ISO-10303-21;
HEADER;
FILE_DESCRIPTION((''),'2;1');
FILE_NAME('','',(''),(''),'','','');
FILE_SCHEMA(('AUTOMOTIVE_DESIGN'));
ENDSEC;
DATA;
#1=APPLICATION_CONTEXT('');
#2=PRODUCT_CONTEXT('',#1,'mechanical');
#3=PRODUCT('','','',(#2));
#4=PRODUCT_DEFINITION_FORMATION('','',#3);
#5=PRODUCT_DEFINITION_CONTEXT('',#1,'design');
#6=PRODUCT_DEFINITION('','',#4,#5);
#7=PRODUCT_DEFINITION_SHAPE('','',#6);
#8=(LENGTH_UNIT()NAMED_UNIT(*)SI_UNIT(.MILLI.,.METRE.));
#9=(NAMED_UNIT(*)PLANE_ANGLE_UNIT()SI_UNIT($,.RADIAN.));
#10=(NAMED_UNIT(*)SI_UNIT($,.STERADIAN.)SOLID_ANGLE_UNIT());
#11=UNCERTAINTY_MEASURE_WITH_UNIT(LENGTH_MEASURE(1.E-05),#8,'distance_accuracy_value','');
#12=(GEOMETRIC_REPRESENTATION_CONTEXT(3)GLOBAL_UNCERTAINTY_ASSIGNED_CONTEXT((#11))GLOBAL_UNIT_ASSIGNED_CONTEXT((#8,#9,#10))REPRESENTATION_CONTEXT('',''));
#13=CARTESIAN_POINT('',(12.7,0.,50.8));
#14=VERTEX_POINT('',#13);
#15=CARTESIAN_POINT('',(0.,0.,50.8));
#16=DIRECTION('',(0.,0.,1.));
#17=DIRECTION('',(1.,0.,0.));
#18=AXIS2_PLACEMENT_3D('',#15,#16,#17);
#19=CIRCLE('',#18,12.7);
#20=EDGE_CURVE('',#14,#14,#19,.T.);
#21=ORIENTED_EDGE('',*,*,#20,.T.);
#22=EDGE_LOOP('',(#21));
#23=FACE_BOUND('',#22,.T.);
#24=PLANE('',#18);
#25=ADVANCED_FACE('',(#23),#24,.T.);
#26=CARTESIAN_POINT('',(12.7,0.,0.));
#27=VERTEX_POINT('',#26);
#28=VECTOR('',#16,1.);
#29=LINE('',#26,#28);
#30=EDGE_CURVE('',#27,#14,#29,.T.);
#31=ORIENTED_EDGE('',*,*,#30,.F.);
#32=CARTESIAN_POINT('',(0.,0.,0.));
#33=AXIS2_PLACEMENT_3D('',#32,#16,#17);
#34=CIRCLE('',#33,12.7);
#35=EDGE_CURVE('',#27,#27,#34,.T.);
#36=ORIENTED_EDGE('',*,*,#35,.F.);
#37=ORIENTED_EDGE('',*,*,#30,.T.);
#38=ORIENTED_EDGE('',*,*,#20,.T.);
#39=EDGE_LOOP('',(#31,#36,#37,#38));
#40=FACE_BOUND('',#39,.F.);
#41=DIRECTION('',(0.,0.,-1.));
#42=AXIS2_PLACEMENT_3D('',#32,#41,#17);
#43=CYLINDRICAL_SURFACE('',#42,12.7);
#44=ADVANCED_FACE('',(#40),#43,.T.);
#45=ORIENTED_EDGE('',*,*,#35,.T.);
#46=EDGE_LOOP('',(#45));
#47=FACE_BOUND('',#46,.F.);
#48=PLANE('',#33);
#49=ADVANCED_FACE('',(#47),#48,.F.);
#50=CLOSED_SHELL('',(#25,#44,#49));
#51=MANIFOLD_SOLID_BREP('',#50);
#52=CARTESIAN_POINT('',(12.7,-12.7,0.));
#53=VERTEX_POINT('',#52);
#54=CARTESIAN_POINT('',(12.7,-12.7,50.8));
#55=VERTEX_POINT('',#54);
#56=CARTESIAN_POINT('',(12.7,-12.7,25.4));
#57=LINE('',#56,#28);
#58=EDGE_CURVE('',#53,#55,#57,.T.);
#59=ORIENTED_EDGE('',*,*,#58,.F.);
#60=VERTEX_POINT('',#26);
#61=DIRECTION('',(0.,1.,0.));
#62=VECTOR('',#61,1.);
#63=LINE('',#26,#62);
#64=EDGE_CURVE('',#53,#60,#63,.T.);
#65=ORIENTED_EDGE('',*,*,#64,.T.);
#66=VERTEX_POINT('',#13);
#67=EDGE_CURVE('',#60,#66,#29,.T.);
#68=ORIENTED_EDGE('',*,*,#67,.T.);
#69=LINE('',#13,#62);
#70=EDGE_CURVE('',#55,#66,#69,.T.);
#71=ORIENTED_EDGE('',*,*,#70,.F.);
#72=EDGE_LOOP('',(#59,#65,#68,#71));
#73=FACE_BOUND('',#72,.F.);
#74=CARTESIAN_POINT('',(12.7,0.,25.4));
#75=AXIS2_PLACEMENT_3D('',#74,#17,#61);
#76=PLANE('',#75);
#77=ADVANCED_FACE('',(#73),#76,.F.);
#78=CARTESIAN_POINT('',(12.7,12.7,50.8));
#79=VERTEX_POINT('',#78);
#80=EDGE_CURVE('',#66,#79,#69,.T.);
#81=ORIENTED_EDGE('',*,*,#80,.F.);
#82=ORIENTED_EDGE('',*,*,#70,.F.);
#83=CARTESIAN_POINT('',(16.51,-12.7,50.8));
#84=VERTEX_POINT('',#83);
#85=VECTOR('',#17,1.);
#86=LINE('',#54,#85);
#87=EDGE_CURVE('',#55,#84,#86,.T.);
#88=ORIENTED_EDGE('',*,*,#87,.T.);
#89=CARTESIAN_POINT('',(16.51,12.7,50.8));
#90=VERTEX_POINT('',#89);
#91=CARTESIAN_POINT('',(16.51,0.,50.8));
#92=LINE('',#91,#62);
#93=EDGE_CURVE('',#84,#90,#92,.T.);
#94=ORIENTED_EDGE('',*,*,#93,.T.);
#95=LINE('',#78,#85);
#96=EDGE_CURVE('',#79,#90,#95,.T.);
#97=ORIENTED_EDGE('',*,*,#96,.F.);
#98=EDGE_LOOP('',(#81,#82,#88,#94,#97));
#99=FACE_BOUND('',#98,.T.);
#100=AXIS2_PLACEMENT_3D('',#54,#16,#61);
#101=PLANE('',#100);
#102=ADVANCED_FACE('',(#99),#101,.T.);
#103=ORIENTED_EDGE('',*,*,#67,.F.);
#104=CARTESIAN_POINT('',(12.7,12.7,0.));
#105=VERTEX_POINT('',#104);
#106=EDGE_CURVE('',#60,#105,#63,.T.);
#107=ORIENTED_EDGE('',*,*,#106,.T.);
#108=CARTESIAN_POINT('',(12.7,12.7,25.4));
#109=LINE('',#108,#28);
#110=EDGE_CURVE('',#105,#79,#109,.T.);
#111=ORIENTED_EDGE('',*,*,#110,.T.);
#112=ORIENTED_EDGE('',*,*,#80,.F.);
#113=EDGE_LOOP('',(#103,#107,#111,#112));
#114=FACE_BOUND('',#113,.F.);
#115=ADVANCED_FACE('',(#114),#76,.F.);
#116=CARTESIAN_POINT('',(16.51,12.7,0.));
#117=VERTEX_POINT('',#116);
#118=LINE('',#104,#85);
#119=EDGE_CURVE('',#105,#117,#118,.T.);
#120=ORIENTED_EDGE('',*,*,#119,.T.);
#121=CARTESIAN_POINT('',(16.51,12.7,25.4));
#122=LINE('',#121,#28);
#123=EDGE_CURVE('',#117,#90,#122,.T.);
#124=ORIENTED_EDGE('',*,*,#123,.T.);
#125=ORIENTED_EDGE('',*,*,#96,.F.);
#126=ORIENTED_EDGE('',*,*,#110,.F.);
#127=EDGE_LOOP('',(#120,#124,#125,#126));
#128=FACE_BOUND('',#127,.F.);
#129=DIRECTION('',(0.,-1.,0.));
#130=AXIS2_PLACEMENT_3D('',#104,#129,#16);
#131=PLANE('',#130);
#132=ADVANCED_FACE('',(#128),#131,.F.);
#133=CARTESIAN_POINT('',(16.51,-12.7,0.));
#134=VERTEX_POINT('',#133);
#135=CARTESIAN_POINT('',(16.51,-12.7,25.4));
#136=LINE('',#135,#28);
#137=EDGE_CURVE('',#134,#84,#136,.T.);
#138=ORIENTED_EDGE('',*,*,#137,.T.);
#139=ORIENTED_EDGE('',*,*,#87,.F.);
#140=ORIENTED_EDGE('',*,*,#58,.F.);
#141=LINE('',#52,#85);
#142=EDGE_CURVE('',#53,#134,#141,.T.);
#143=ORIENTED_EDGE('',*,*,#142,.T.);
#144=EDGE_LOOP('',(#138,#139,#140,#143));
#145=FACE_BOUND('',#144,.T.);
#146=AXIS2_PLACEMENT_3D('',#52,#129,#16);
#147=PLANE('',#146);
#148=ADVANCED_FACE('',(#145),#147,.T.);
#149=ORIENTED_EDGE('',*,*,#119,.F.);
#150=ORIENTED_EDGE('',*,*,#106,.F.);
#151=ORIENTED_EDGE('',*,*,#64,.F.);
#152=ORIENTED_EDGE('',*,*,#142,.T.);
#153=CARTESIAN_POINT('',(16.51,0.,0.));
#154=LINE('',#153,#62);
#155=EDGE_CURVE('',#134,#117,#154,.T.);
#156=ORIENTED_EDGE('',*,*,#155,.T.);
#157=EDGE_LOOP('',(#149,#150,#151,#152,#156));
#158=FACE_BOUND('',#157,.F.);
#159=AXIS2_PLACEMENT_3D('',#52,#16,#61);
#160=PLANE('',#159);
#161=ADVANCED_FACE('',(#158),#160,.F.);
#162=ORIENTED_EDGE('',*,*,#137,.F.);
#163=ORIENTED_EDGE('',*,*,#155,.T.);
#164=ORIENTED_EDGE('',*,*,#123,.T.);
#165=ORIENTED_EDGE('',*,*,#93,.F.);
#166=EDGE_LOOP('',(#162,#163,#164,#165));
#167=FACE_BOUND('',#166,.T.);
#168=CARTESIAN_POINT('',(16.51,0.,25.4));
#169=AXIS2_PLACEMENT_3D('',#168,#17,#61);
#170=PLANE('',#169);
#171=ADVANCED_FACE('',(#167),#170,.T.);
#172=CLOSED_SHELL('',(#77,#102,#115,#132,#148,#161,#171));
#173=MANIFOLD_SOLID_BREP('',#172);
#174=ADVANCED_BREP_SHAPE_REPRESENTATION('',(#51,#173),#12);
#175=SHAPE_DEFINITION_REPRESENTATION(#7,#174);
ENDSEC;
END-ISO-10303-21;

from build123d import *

# Parameters (mm, degrees)
F0_R     = 12.7
F1_DEPTH = 50.8
F3_W     = 25.4
F3_H     = 50.8
F4_DEPTH = 3.81


with BuildPart() as f1:
    # F0 (on Top) → F1 (new body)
    with BuildSketch(Plane.XY):
        Circle(F0_R)
    extrude(amount=F1_DEPTH)

    # F3 (on offset) → F4 (join)
    with BuildSketch(Plane.YZ.offset(12.7)):
        with Locations((0, 25.4)):
            Rectangle(F3_W, F3_H)
    extrude(amount=F4_DEPTH)


solid = f1.part
